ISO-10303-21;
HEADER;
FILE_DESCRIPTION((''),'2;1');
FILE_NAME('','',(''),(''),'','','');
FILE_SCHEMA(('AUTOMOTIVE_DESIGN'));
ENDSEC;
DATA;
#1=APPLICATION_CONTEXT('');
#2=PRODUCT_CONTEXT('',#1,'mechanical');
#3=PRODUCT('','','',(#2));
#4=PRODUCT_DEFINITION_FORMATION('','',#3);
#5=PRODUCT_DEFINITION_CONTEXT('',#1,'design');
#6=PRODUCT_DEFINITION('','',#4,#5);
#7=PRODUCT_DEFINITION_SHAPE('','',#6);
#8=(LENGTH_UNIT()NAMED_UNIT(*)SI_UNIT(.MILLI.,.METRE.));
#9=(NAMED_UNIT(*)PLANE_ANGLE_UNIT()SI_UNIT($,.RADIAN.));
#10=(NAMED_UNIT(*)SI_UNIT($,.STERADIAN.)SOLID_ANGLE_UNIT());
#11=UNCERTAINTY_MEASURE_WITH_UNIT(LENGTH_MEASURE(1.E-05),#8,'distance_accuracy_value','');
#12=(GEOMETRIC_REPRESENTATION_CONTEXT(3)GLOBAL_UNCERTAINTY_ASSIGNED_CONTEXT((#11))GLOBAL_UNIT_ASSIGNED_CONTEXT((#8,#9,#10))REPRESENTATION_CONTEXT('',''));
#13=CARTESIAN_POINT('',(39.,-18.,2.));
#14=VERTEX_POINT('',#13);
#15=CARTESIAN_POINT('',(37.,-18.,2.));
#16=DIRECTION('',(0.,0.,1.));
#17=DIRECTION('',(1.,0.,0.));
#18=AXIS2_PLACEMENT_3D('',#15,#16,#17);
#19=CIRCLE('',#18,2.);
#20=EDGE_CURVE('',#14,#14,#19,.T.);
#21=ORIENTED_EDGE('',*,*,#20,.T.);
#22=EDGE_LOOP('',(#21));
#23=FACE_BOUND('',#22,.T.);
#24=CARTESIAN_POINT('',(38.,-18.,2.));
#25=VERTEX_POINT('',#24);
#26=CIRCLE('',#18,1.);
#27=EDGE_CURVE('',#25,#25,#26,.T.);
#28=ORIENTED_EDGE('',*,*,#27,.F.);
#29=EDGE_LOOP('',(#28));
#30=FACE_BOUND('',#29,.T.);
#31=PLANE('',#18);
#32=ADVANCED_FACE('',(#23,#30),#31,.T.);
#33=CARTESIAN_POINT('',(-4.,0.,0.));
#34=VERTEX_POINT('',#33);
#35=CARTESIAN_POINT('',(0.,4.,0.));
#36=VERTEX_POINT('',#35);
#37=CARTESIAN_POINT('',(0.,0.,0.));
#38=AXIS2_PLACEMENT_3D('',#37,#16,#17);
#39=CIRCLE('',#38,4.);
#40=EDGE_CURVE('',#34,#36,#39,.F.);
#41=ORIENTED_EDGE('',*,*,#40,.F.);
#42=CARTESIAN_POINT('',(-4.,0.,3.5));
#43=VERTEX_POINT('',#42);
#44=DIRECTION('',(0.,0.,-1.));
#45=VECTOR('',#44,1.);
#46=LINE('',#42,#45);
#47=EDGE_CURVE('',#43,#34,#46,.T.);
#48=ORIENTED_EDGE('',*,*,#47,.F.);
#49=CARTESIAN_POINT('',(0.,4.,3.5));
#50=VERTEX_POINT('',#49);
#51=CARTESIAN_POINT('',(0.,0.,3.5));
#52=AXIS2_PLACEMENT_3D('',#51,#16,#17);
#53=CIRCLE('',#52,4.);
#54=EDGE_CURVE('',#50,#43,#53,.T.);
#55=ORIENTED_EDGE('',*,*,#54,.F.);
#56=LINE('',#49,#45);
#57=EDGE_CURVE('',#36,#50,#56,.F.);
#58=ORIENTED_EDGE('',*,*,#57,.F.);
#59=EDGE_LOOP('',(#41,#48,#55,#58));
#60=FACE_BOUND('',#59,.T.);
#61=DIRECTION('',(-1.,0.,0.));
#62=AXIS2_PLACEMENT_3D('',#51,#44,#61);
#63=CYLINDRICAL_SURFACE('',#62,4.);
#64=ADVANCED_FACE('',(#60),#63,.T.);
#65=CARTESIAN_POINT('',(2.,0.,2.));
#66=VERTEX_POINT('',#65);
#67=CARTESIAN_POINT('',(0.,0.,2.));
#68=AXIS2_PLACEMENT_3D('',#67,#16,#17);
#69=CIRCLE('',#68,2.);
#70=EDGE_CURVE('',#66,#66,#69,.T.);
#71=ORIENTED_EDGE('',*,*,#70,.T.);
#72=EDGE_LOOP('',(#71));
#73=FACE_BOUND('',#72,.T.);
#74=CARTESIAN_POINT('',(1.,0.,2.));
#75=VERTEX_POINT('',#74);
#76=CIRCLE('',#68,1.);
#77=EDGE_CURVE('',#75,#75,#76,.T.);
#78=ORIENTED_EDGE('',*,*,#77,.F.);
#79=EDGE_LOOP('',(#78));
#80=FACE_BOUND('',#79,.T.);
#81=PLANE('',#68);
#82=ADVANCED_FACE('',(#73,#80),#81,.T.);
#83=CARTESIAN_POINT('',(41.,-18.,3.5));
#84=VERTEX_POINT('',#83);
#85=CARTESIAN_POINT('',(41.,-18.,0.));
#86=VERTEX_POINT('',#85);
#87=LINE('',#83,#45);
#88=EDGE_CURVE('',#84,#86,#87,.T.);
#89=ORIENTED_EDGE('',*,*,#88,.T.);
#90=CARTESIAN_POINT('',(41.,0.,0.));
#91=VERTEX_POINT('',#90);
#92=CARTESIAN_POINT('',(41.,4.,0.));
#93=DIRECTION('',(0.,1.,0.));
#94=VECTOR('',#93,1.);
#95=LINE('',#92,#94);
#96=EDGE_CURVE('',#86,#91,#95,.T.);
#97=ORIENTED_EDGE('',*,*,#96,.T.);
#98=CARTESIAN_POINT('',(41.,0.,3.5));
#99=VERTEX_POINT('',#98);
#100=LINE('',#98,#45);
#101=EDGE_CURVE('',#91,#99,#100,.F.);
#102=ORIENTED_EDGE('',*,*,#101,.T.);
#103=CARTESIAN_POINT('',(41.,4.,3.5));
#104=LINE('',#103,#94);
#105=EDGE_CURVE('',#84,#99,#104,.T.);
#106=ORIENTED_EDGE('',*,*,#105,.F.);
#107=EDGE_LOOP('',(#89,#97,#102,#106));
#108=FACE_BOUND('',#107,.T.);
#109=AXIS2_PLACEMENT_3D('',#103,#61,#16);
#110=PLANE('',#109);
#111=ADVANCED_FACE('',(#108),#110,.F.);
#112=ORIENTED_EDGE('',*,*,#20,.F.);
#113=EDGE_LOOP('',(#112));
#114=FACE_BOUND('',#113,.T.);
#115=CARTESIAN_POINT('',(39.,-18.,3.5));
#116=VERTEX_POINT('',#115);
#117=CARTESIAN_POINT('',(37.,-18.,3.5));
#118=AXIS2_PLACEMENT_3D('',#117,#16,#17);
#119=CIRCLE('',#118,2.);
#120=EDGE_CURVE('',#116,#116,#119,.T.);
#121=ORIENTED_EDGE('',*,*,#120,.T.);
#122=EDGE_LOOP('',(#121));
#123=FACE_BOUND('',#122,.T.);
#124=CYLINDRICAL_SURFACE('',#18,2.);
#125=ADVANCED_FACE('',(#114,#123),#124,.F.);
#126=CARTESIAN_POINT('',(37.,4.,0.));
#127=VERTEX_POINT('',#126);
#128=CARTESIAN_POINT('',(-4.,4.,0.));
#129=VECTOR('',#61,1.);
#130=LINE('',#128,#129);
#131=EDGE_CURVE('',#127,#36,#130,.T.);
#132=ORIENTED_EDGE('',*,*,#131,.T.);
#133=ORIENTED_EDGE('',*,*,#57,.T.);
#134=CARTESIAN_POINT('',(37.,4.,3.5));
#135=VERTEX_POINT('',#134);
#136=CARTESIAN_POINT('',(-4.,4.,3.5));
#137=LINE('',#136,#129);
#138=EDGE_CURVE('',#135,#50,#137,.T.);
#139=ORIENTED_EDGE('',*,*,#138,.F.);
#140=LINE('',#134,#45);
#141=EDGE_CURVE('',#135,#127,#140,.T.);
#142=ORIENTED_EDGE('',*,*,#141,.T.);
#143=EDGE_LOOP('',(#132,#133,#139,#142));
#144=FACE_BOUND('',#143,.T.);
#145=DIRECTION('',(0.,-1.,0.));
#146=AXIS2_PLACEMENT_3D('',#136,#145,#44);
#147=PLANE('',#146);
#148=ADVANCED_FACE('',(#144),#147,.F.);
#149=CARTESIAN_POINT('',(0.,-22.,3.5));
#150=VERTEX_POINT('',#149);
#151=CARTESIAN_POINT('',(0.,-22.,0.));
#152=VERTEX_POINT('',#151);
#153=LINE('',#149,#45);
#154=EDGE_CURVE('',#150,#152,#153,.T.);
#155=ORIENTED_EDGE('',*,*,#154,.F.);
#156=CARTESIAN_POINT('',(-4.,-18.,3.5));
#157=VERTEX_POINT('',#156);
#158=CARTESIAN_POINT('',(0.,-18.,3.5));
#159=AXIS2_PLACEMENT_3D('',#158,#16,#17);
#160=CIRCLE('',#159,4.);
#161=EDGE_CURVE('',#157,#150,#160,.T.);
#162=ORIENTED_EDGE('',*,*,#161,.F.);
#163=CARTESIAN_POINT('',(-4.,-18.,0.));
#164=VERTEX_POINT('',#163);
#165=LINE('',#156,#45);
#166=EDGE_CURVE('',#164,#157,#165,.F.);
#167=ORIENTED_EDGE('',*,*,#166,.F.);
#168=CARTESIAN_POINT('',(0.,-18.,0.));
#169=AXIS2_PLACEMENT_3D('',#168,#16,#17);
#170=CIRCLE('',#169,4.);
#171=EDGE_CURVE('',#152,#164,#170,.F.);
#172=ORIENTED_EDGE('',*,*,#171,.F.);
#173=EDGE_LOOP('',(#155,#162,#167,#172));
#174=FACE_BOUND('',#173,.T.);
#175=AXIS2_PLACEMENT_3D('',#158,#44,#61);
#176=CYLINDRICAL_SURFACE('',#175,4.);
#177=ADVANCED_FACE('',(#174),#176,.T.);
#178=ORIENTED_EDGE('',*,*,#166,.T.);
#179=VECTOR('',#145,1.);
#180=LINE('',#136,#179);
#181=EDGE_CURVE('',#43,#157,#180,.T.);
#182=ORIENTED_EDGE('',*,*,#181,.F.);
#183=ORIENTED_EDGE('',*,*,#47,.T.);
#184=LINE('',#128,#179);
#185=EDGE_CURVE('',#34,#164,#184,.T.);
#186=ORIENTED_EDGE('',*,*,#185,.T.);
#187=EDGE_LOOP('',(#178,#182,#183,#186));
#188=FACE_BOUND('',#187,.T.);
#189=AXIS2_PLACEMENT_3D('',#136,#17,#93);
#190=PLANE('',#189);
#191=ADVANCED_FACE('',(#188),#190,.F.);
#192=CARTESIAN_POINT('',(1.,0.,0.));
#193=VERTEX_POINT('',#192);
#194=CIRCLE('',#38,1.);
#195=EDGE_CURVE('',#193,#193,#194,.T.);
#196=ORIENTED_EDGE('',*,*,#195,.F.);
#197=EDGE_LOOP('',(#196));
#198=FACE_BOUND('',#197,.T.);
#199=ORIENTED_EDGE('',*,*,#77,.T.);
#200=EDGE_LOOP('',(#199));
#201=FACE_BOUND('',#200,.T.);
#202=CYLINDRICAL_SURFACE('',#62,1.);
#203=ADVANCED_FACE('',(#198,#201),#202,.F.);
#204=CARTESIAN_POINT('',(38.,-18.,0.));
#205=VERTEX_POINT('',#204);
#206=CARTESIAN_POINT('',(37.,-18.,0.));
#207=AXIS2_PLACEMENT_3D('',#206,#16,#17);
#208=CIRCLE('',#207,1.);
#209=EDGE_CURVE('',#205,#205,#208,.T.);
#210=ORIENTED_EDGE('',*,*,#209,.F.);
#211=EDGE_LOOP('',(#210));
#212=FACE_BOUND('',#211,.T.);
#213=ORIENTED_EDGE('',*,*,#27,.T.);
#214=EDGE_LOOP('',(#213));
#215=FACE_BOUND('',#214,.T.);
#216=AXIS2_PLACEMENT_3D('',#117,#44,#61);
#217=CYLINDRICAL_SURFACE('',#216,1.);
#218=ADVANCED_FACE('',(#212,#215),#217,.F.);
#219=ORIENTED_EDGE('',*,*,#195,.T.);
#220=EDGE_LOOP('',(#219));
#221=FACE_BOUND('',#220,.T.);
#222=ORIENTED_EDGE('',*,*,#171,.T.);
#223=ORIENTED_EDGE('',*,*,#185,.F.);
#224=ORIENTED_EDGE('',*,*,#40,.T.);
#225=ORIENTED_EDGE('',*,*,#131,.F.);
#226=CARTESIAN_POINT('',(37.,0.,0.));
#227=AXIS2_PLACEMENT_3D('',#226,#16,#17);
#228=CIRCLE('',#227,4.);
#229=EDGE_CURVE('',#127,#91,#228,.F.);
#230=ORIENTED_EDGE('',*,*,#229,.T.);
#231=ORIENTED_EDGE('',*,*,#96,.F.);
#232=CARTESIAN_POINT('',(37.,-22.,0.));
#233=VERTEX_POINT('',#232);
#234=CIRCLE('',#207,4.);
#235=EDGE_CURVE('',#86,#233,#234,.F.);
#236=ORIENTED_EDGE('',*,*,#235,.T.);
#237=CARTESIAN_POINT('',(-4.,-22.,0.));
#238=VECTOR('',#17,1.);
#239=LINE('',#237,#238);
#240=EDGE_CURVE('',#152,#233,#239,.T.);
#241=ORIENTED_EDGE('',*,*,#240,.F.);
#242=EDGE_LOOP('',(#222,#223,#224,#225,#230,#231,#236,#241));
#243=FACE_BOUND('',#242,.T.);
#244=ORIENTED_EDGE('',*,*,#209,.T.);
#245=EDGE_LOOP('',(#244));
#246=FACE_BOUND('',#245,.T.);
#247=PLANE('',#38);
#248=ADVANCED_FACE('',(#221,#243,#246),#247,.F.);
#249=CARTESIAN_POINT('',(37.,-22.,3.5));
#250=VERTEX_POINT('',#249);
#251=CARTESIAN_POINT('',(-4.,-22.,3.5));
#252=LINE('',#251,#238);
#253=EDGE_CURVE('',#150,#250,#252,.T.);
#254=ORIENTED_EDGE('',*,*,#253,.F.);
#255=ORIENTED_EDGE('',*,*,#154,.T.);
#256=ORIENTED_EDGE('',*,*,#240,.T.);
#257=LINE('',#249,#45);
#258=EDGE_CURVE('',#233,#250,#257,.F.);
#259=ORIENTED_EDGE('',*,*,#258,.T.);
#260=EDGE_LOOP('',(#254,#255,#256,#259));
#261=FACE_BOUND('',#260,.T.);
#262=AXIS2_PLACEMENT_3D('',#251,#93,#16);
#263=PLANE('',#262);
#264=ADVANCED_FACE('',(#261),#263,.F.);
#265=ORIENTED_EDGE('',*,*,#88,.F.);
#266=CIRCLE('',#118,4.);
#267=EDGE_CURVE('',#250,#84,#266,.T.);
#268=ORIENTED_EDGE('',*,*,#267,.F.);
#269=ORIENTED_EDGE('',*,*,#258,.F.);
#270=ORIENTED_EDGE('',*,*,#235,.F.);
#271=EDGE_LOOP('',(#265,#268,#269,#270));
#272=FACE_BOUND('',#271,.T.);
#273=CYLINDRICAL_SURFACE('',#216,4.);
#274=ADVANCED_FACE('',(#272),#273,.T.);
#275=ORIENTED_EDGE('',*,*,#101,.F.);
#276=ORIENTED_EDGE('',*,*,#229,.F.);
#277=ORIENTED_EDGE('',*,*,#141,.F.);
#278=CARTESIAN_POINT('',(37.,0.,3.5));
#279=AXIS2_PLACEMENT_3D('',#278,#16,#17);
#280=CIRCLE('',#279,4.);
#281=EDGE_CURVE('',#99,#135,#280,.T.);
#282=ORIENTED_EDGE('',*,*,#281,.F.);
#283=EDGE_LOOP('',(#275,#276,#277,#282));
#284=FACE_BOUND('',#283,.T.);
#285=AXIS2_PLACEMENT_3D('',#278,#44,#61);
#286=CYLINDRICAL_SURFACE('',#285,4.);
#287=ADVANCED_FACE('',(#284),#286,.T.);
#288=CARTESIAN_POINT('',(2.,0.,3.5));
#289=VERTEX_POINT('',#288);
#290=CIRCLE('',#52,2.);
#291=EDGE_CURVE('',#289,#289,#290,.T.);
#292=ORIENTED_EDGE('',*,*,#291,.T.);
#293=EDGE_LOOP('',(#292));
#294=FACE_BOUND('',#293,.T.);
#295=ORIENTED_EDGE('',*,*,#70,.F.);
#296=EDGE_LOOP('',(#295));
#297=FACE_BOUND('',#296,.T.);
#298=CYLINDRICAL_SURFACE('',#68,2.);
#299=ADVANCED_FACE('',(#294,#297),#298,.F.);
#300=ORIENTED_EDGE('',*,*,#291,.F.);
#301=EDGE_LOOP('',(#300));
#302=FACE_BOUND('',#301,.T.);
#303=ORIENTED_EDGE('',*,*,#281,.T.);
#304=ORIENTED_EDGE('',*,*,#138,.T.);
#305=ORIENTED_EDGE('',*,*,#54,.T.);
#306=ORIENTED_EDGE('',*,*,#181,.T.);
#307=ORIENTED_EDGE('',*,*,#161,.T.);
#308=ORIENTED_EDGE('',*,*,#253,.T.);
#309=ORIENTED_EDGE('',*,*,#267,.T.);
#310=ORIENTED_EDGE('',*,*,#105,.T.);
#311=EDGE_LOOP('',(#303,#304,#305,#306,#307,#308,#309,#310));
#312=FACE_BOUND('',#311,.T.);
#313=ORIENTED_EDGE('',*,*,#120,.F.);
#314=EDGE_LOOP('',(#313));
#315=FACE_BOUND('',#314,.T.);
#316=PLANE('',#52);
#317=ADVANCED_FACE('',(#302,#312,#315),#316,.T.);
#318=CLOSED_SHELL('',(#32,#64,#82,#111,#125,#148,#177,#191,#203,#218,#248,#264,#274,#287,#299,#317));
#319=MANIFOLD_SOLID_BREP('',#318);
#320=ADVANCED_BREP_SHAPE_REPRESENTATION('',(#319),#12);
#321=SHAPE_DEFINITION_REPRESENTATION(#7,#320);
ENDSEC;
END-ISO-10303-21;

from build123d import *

# Parameters (mm, degrees)
SKETCH1_W           = 45
SKETCH1_H           = 26
SKETCH1_R           = 1
BOSS_EXTRUDE1_DEPTH = 3.5
FILLET1_R           = 4
SKETCH2_R           = 2
CUT_EXTRUDE1_DEPTH  = 1.5


with BuildPart() as part:
    # Sketch1 → Boss-Extrude1 (new body)
    with BuildSketch(Plane.XY):
        with Locations((18.5, -9)):
            Rectangle(SKETCH1_W, SKETCH1_H)
        Circle(SKETCH1_R, mode=Mode.SUBTRACT)
        with Locations((37, -18)):
            Circle(SKETCH1_R, mode=Mode.SUBTRACT)
    extrude(amount=BOSS_EXTRUDE1_DEPTH)

    # Fillet1
    fillet1_edges = [part.edges().sort_by_distance(p)[0] for p in [
        (-4, 4, 1.75),
        (41, 4, 1.75),
        (41, -22, 1.75),
        (-4, -22, 1.75),
    ]]
    fillet(fillet1_edges, radius=FILLET1_R)

    # Sketch2 → Cut-Extrude1 (cut)
    with BuildSketch(Plane.XY.offset(3.5)):
        with Locations((37, -18)):
            Circle(SKETCH2_R)
        Circle(SKETCH2_R)
    extrude(amount=-CUT_EXTRUDE1_DEPTH, mode=Mode.SUBTRACT)


solid = part.part
